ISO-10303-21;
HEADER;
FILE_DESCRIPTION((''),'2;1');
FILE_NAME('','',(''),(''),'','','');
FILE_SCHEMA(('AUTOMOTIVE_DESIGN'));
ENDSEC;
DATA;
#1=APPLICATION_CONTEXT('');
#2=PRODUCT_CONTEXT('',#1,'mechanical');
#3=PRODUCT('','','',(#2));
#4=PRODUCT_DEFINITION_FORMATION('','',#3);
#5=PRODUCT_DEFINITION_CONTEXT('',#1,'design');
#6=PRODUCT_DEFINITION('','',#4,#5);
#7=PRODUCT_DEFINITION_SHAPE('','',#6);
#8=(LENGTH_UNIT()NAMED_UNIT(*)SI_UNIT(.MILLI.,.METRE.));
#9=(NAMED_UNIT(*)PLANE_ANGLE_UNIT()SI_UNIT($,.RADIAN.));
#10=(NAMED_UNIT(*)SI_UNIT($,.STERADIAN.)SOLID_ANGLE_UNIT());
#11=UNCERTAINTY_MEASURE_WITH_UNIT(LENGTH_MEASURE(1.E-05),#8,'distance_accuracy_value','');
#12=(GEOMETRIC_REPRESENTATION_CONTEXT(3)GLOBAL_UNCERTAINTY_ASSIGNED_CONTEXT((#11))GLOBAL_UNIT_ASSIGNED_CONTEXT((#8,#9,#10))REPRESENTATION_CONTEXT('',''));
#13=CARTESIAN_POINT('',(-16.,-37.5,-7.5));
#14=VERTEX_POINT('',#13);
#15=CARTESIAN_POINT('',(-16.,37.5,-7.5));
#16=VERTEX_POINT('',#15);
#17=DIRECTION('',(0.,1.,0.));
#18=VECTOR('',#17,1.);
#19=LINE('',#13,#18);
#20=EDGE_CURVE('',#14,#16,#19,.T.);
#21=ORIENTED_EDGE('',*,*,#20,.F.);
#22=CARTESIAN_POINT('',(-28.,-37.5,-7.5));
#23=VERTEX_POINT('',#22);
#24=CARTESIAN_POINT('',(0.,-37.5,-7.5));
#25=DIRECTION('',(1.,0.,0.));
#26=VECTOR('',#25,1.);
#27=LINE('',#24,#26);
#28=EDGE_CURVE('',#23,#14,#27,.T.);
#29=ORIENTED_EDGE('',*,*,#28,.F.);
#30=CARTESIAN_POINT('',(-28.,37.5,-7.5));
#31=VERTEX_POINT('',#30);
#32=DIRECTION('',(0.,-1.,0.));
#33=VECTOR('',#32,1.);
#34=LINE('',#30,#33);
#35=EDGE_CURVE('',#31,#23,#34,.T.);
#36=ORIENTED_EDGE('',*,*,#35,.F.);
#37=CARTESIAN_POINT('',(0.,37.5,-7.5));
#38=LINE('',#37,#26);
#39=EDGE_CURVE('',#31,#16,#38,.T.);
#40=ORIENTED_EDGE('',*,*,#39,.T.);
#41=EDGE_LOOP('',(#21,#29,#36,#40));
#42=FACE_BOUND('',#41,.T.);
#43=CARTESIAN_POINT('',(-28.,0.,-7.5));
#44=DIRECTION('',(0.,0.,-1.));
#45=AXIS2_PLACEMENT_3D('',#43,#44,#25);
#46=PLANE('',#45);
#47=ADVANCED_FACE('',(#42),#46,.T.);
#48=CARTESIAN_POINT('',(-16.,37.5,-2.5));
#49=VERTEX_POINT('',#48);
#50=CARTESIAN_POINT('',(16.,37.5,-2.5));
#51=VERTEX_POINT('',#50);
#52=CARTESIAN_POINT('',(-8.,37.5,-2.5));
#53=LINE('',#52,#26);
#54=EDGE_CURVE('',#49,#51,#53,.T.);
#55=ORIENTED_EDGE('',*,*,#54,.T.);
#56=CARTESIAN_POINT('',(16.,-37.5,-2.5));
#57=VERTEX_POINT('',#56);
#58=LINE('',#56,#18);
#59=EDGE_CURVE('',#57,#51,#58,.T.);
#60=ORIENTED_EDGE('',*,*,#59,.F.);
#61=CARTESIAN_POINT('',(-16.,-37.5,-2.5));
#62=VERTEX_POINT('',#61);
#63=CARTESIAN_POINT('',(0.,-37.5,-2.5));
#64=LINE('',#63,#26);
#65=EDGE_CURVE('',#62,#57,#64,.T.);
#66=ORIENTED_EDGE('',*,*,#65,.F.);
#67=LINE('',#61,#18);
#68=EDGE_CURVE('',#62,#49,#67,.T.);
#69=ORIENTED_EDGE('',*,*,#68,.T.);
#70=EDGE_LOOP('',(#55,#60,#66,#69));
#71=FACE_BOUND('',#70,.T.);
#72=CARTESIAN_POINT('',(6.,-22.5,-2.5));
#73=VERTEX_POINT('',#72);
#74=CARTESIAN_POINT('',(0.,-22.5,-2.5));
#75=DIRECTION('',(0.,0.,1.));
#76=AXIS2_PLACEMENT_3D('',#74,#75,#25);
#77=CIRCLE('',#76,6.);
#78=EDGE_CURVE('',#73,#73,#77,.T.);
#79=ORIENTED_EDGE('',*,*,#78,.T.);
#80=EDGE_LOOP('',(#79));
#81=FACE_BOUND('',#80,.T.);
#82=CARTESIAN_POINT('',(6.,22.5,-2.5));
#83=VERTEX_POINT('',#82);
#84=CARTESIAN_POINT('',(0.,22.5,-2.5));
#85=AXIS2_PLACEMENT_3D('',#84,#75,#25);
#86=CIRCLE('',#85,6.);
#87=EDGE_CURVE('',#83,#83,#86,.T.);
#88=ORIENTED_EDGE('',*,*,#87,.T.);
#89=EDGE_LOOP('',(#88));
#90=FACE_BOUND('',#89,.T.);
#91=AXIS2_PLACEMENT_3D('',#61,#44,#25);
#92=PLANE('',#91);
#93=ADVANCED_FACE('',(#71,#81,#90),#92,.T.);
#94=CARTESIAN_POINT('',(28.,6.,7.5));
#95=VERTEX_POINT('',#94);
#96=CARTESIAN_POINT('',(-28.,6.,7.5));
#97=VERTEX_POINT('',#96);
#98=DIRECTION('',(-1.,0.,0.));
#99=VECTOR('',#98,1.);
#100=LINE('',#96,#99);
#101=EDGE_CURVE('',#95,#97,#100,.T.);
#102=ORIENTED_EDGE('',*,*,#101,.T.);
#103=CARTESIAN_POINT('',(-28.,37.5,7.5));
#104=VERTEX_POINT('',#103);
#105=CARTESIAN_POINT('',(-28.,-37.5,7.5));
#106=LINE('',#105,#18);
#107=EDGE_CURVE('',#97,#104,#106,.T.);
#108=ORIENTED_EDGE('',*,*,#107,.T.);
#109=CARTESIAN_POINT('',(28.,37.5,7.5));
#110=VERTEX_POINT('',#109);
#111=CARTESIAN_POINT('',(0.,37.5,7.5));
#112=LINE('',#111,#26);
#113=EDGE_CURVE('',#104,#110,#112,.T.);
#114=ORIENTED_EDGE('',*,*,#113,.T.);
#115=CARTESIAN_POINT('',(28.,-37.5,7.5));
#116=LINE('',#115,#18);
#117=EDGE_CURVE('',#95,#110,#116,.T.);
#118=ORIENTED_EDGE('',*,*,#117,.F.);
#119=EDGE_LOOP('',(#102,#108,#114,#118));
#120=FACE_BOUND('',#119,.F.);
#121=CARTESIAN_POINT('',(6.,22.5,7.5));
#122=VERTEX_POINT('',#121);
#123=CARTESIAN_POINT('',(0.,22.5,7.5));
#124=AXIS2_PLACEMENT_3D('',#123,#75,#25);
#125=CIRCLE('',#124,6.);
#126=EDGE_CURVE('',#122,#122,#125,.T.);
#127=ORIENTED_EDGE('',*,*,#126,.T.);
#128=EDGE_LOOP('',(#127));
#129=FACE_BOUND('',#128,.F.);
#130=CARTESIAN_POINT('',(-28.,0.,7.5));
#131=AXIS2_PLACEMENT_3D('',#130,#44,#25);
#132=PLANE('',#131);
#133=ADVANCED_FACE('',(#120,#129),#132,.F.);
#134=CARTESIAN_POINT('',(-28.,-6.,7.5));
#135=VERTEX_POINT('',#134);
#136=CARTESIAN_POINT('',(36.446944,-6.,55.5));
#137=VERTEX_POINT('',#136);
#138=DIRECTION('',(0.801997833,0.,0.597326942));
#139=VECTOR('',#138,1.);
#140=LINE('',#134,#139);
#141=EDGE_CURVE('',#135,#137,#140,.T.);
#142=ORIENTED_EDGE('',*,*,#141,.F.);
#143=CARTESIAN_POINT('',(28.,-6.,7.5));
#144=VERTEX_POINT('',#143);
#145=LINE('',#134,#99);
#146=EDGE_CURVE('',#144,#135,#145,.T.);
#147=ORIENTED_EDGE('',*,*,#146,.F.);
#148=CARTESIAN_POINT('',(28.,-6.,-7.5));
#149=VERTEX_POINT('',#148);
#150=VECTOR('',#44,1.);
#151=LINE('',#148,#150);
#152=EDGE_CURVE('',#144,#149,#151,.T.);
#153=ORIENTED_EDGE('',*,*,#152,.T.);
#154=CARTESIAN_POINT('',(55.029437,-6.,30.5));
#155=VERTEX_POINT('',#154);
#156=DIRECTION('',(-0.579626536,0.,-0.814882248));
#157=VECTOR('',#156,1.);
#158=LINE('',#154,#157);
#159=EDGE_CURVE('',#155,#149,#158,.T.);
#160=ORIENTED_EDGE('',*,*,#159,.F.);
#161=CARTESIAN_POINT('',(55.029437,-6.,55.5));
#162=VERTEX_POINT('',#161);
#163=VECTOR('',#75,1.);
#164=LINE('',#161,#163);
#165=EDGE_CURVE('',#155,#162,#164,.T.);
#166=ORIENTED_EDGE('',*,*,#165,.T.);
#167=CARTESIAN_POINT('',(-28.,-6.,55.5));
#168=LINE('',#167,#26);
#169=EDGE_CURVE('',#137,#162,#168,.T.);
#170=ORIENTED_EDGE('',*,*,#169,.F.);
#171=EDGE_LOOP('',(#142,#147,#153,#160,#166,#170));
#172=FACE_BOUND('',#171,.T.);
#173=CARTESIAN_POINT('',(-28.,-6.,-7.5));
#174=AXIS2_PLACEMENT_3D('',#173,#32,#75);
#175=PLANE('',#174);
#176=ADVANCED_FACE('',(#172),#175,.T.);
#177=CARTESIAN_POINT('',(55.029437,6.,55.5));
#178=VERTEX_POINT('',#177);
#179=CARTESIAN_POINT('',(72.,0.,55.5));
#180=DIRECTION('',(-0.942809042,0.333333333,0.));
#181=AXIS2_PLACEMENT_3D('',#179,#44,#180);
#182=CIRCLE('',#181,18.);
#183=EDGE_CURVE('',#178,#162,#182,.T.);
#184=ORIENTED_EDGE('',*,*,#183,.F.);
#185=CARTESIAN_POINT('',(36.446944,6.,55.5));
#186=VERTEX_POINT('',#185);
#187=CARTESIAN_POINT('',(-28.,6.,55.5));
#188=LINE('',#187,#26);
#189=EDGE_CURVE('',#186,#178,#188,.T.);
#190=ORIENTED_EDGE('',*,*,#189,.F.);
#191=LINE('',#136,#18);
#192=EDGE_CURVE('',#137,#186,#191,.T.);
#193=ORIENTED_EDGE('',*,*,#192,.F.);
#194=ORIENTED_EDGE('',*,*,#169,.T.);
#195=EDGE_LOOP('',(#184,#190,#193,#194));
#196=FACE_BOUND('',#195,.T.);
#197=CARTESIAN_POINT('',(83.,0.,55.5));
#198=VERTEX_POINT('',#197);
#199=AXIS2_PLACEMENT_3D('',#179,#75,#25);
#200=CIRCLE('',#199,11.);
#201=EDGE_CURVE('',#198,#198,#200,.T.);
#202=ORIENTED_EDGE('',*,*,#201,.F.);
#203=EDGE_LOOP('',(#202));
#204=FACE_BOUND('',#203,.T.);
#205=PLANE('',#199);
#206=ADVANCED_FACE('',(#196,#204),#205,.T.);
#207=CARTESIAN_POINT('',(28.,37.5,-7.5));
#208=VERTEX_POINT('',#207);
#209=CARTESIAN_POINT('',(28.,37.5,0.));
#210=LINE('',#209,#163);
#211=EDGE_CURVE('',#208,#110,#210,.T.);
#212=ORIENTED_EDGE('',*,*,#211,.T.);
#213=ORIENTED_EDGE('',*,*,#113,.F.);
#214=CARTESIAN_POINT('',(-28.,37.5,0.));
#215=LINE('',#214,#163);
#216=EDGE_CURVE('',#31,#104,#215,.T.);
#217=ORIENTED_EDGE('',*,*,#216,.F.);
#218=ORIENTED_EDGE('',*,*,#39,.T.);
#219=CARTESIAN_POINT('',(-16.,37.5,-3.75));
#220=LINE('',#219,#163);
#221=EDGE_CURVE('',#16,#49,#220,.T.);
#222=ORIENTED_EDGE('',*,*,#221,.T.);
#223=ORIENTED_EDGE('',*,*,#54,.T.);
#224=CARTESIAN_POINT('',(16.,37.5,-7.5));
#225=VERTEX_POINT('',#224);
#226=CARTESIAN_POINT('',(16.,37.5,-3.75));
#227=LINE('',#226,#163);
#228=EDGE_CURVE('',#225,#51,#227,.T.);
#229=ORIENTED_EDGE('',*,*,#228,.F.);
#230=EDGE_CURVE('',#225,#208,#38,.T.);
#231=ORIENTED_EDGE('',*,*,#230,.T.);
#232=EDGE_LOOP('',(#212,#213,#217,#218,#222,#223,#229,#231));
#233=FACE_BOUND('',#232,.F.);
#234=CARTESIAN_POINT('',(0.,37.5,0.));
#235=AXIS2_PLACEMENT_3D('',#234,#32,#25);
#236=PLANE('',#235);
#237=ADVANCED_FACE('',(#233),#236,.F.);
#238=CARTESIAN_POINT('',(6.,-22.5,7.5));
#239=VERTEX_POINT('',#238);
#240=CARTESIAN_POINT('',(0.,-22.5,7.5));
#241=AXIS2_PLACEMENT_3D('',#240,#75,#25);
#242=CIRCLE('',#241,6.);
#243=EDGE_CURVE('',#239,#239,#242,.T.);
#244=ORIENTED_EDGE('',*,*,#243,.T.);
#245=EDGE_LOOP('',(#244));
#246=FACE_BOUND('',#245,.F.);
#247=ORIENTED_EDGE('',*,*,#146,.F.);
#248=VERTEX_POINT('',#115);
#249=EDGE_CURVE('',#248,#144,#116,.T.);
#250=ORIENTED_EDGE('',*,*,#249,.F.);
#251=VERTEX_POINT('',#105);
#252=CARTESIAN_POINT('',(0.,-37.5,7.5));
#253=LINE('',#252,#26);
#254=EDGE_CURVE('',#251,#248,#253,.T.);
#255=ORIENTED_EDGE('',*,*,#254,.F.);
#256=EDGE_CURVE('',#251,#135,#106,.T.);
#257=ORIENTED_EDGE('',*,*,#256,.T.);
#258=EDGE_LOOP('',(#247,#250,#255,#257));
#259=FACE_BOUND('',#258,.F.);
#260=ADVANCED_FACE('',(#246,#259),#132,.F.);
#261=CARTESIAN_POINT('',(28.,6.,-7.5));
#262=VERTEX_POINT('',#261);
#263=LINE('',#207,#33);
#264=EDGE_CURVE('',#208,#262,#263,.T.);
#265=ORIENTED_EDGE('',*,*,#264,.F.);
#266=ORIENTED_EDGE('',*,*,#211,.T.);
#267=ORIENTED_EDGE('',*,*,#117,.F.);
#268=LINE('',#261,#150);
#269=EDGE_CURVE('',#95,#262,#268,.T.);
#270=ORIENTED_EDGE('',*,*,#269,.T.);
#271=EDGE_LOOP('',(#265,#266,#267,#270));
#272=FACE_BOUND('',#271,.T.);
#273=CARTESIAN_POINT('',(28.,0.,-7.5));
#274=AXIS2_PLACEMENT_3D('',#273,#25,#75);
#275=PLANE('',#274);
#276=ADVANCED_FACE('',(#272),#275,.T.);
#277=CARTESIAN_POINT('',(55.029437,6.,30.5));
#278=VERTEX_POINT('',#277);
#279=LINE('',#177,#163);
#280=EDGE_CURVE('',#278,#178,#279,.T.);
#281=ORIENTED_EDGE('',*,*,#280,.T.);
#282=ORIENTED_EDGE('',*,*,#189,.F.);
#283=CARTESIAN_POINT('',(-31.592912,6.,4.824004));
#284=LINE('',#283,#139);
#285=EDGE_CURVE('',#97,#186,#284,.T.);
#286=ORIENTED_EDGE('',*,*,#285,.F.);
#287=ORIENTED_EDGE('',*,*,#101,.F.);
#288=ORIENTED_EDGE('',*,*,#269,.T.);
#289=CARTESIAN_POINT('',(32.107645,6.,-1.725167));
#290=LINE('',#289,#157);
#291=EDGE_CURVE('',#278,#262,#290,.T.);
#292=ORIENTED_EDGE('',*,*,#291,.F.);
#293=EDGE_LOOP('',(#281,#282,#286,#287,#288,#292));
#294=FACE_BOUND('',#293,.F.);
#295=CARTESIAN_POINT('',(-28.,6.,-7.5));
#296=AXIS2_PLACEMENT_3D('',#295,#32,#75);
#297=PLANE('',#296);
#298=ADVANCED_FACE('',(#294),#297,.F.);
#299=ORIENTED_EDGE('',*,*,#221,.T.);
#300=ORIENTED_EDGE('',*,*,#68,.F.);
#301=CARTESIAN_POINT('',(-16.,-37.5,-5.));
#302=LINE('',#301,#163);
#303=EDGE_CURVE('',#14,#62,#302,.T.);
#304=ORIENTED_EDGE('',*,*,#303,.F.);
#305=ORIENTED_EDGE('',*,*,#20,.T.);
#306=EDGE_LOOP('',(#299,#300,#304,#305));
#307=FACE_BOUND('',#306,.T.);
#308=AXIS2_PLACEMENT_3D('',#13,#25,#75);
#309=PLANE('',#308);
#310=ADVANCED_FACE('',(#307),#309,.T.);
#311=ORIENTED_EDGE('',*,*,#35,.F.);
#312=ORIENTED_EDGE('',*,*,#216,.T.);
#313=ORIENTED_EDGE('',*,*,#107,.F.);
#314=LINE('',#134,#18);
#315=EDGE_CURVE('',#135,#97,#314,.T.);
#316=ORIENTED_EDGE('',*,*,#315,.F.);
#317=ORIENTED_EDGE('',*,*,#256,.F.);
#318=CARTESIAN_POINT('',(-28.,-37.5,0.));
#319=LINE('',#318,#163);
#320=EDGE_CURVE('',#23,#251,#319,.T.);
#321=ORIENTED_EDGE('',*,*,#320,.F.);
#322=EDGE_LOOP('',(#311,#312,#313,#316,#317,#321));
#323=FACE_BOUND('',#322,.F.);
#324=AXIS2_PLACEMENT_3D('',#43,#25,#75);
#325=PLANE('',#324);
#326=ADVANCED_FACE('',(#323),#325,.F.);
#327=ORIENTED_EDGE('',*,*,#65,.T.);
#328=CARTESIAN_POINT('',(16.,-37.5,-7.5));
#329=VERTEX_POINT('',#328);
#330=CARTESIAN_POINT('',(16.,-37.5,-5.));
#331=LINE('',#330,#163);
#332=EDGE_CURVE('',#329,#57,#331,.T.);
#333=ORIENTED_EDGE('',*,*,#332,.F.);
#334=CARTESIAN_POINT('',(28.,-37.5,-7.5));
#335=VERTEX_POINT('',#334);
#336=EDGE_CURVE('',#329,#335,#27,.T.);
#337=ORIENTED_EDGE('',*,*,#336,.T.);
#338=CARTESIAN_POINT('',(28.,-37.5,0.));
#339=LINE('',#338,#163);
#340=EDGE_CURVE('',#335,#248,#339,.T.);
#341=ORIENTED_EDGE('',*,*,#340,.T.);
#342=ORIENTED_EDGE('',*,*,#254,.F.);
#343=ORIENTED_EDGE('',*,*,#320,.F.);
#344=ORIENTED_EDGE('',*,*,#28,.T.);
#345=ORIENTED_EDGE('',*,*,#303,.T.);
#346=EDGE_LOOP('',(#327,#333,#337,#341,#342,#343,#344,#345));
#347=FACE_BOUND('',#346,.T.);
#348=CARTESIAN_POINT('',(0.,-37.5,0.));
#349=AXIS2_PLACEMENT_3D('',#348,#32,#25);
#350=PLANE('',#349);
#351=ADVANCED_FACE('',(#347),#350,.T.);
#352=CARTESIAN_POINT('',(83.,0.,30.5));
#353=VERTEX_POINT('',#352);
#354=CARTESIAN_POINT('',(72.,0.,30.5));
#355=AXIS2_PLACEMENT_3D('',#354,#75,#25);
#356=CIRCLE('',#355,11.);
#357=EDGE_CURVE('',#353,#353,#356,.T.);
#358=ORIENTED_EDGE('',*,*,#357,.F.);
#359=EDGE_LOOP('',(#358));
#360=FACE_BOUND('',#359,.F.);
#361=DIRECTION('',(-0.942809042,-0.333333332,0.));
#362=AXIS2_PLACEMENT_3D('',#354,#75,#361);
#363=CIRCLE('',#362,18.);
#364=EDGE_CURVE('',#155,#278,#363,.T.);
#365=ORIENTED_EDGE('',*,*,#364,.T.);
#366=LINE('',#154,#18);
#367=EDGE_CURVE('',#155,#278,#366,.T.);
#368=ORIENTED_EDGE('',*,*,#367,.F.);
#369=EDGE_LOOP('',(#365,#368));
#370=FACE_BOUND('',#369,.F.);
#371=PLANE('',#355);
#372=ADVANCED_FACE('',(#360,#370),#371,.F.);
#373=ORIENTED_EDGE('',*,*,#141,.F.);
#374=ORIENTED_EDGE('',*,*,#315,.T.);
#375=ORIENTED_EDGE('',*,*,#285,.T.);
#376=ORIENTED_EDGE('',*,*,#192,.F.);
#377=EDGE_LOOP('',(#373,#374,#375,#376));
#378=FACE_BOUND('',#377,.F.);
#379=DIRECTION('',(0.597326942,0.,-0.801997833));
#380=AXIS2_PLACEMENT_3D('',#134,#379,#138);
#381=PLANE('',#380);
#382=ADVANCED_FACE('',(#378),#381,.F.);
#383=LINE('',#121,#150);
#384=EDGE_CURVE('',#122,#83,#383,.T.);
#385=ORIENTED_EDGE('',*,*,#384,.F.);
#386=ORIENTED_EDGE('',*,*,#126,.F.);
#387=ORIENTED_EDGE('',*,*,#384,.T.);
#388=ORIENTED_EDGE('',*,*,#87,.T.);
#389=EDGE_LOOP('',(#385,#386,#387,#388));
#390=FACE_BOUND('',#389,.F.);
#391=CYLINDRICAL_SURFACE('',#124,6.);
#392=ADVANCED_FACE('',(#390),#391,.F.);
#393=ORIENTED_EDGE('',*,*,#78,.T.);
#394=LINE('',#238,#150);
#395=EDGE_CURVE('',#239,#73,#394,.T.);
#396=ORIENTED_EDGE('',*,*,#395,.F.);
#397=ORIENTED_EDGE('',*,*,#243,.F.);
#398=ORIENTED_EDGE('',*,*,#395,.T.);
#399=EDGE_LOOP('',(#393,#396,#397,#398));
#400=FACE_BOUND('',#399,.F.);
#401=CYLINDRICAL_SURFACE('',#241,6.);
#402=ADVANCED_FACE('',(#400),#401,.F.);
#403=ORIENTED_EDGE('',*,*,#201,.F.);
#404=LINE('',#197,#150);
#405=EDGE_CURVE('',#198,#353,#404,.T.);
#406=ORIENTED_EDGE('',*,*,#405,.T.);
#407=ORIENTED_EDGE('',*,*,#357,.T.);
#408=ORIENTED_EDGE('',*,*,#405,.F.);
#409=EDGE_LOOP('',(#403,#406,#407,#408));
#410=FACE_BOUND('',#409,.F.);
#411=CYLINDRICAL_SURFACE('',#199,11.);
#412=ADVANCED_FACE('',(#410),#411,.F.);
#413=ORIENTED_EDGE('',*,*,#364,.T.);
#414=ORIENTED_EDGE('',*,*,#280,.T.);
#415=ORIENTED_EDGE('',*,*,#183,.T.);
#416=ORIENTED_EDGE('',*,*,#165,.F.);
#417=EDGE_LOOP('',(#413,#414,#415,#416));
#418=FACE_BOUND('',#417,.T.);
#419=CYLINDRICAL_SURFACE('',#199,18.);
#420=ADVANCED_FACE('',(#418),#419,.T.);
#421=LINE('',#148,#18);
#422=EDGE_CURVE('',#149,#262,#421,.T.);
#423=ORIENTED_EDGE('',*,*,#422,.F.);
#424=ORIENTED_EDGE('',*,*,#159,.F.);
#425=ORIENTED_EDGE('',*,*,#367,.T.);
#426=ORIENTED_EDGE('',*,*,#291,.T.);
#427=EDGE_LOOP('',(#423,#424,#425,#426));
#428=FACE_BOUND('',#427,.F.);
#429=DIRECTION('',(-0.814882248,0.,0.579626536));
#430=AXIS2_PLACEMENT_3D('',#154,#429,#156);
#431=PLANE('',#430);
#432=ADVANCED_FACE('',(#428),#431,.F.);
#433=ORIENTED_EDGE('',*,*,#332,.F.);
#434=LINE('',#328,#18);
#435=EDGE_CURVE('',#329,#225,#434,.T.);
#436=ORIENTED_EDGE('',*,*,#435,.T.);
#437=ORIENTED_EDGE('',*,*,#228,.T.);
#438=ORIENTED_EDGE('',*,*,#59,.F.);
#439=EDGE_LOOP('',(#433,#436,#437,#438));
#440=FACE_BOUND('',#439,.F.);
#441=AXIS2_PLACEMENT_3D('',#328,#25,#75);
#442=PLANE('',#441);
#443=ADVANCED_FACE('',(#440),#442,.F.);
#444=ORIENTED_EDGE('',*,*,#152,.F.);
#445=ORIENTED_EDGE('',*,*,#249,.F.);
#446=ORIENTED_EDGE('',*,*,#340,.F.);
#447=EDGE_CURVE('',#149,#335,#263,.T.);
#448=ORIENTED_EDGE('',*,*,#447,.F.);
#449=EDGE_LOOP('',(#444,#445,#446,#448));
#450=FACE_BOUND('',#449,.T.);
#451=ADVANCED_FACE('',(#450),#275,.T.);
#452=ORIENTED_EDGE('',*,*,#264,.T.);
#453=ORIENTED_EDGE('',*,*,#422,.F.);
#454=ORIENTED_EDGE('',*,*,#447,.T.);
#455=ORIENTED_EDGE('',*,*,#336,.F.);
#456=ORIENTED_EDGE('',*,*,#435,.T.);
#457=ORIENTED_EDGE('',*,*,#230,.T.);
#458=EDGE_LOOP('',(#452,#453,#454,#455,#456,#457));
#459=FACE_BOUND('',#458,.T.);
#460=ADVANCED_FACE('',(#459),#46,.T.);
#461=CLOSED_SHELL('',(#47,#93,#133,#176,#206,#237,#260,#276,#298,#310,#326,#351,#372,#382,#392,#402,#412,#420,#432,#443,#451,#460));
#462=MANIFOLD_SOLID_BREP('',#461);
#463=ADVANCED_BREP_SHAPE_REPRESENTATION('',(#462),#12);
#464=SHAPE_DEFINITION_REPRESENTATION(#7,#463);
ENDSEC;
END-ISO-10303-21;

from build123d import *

# Parameters (mm, degrees)
F0_W      = 56
F0_H      = 15
F1_DEPTH  = 37.5
F3_W      = 12
F3_H      = 63
F4_DEPTH  = 100
F6_DEPTH  = 43.501
F7_R      = 18
F8_DEPTH  = 25
F10_DEPTH = 43.501
F11_R     = 11
F12_DEPTH = 63.001
F2_W      = 32
F2_H      = 5
F13_DEPTH = 75.001
F14_R     = 6
F15_DEPTH = 15.001


with BuildPart() as f1:
    # F0 (on Front) → F1 (new body, symmetric)
    with BuildSketch(Plane.XZ):
        Rectangle(F0_W, F0_H)
    extrude(amount=F1_DEPTH, both=True)

    # F3 (on face) → F4 (join)
    with BuildSketch(Plane(origin=(-28, 0, 0), x_dir=(0, -1, 0), z_dir=(-1, 0, 0))):
        with Locations((0, 24)):
            Rectangle(F3_W, F3_H)
    extrude(amount=-F4_DEPTH)

    # F5 (on face) → F6 (cut, through all)
    with BuildSketch(Plane.XZ.offset(6)):
        Polygon((-28, 55.5), (-28, 7.5), (36.446944, 55.5), align=None)
    extrude(amount=-F6_DEPTH, mode=Mode.SUBTRACT)

    # F7 (on face) → F8 (join)
    with BuildSketch(Plane.XY.offset(55.5)):
        with Locations((72, 0)):
            Circle(F7_R)
    extrude(amount=-F8_DEPTH)

    # F9 (on face) → F10 (cut, through all)
    with BuildSketch(Plane.XZ.offset(6)):
        Polygon((55.029437, 30.5), (28, -7.5), (72, -7.5), (72, 30.5), align=None)
    extrude(amount=-F10_DEPTH, mode=Mode.SUBTRACT)

    # F11 (on face) → F12 (cut, through all)
    with BuildSketch(Plane.XY.offset(55.5)):
        with Locations((72, 0)):
            Circle(F11_R)
    extrude(amount=-F12_DEPTH, mode=Mode.SUBTRACT)

    # F2 (on face) → F13 (cut, through all)
    with BuildSketch(Plane.XZ.offset(37.5)):
        with Locations((0, -5)):
            Rectangle(F2_W, F2_H)
    extrude(amount=-F13_DEPTH, mode=Mode.SUBTRACT)

    # F14 (on face) → F15 (cut, through all)
    with BuildSketch(Plane.XY.offset(7.5)):
        with Locations((0, 22.5)):
            Circle(F14_R)
        with Locations((0, -22.5)):
            Circle(F14_R)
    extrude(amount=-F15_DEPTH, mode=Mode.SUBTRACT)


solid = f1.part
